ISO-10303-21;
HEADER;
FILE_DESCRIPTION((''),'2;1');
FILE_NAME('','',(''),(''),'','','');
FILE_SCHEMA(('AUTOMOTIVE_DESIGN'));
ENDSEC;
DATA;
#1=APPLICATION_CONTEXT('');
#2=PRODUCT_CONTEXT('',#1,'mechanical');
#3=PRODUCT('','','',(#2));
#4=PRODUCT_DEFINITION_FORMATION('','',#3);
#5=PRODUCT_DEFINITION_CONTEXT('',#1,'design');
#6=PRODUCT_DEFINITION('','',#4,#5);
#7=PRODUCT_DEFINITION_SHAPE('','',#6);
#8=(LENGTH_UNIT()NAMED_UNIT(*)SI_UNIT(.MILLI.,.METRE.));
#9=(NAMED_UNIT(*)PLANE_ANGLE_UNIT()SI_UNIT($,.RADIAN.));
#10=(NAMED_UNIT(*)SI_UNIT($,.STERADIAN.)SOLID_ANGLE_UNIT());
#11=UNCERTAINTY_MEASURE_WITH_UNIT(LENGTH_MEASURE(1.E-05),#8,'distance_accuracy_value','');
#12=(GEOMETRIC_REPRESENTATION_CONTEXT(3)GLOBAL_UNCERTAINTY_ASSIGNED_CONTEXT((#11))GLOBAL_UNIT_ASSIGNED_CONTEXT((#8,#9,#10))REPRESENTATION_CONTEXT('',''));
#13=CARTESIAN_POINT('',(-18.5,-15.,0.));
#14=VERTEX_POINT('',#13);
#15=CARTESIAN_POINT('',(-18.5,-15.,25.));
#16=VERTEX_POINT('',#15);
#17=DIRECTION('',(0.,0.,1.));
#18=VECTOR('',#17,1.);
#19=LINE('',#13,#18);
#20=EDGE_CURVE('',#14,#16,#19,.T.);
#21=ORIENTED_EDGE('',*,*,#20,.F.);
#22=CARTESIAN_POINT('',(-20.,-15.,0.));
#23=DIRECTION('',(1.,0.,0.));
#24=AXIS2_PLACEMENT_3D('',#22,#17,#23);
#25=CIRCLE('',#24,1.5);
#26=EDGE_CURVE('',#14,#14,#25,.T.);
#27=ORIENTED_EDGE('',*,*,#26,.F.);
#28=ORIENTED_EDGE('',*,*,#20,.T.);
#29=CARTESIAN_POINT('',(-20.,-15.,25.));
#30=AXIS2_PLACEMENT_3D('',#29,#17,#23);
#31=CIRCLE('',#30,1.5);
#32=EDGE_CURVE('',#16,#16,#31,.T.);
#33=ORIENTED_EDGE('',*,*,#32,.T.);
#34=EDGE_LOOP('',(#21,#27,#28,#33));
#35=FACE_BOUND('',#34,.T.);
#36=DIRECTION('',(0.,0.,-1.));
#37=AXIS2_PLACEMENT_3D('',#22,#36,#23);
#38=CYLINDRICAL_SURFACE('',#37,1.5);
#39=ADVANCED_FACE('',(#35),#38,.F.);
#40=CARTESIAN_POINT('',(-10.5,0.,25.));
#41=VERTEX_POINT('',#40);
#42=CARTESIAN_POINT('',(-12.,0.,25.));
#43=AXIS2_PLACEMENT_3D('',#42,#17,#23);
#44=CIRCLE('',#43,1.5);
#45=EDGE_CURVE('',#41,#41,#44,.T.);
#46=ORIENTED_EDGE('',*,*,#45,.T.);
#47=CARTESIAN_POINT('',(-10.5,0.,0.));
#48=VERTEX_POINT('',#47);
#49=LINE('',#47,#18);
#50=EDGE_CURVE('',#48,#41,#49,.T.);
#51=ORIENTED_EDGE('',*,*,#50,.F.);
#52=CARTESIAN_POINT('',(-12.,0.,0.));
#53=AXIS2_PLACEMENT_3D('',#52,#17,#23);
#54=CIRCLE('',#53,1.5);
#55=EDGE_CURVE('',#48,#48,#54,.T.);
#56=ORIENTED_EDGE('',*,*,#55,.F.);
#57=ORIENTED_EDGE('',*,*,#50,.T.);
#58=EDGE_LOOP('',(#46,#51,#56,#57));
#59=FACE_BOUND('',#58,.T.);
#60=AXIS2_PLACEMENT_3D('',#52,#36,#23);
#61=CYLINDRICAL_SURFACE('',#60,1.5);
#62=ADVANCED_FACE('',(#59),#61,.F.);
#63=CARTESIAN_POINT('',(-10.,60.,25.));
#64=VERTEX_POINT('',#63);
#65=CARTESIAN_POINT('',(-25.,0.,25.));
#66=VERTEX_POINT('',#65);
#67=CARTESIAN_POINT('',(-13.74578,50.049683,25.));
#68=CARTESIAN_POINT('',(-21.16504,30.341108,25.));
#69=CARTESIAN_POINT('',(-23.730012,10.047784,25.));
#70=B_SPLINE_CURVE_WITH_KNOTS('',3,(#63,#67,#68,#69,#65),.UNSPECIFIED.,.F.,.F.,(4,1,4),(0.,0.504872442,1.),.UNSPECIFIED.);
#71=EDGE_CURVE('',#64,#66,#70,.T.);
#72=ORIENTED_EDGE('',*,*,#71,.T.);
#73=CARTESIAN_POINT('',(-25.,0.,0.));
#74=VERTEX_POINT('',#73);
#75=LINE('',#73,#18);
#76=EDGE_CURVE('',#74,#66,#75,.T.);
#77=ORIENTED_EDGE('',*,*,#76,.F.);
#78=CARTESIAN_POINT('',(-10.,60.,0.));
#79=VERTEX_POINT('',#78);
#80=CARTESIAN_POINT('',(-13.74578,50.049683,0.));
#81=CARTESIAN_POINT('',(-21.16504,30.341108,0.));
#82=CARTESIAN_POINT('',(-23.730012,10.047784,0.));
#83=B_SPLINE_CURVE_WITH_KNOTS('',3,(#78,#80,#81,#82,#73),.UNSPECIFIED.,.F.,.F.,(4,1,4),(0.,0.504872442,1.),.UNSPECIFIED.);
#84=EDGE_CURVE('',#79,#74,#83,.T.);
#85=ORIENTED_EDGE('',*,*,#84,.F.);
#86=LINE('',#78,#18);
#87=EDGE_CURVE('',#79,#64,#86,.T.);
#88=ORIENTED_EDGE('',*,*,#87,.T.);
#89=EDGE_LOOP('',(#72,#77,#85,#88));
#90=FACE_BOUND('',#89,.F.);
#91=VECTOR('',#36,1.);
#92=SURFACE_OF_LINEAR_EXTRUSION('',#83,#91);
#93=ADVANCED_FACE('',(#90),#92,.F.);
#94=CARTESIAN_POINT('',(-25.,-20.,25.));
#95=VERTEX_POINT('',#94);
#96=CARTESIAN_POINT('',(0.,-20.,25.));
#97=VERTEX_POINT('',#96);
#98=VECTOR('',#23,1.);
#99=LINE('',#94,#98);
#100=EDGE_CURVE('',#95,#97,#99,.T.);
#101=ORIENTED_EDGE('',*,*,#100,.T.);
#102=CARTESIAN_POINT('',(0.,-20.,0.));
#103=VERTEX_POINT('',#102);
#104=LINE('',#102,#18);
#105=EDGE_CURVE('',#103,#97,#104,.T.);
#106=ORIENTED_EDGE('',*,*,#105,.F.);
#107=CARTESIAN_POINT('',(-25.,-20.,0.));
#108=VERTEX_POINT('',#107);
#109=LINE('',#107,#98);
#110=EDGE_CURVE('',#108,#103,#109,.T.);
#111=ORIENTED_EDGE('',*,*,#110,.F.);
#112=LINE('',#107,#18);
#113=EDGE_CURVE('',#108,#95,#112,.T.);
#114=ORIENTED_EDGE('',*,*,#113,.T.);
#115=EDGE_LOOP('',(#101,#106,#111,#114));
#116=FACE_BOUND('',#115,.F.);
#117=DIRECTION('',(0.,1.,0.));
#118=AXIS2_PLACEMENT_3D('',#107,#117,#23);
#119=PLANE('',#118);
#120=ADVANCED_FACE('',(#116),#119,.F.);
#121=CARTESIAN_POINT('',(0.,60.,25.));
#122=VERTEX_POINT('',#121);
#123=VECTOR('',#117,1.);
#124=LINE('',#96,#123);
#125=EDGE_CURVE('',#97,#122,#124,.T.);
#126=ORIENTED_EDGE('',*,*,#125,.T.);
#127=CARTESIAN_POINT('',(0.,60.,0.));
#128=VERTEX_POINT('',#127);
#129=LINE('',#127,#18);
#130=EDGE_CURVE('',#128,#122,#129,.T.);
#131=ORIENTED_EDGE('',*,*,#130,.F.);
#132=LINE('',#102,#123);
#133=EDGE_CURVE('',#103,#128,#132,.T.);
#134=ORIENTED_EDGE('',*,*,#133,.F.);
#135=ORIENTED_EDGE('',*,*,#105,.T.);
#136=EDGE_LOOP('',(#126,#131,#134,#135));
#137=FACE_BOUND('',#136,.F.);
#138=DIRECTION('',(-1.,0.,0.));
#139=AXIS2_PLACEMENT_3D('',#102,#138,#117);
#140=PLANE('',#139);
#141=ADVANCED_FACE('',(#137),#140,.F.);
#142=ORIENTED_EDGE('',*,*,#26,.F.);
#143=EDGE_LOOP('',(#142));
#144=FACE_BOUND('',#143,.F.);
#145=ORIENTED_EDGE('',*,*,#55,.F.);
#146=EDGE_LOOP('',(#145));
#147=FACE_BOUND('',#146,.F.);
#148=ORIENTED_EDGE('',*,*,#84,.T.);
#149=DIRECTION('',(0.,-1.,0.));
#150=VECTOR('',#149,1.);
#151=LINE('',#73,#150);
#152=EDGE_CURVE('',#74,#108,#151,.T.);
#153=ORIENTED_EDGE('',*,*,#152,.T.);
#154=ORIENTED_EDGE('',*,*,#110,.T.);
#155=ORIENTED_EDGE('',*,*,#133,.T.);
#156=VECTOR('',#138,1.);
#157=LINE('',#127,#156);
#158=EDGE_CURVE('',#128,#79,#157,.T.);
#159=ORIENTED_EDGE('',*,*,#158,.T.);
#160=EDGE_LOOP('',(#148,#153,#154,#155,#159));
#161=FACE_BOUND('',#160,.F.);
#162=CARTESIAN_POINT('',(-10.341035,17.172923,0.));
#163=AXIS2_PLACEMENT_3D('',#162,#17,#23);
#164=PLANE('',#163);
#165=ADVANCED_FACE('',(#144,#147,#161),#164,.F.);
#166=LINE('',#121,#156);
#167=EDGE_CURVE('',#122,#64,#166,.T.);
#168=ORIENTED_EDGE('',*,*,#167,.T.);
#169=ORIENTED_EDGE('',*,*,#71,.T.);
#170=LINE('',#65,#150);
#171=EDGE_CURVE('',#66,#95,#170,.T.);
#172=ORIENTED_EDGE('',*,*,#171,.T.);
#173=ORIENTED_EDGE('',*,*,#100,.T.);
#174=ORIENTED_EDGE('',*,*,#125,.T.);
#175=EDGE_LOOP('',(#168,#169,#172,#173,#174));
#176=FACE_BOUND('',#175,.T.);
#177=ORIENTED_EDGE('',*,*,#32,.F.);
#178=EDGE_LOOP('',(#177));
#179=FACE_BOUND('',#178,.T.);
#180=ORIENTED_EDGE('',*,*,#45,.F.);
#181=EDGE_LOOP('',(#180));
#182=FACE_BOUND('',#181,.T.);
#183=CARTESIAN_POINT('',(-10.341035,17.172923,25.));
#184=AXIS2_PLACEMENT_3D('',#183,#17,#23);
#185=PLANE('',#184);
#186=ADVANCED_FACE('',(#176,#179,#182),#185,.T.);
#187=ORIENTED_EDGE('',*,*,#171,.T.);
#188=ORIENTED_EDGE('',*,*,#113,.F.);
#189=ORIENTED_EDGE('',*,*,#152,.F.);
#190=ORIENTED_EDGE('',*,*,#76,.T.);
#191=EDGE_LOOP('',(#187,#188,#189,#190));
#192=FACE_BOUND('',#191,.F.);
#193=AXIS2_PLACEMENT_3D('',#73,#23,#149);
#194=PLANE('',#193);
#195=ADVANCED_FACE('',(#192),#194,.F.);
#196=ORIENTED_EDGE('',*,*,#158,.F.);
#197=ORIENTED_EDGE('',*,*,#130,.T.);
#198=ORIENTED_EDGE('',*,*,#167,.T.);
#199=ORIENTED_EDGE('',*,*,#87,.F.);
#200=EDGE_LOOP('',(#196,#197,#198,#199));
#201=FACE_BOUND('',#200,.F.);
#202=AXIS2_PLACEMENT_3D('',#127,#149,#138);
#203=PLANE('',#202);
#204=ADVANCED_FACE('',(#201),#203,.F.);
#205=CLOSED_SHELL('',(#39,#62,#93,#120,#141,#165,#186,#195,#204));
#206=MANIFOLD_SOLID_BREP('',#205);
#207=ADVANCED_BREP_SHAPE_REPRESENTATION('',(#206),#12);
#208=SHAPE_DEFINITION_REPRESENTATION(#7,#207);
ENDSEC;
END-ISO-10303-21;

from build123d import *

# Parameters (mm, degrees)
F0_R     = 1.5
F1_DEPTH = 25


with BuildPart() as f1:
    # F0 (on Top) → F1 (new body)
    with BuildSketch(Plane.XY):
        with BuildLine():
            Line((0, -20), (0, 0))
            Line((0, 0), (0, 60))
            Line((0, 60), (-10, 60))
            add(Edge.make_bspline(
                [(-10, 60), (-13.7457798028, 50.0496833938), (-21.165039581, 30.3411079665), (-23.7300116456, 10.047783958), (-25, 0)],
                knots=[0, 0, 0, 0, 0.5048724421, 1, 1, 1, 1], degree=3))
            Line((-25, 0), (-25, -20))
            Line((-25, -20), (0, -20))
        make_face()
        with Locations((-20, -15)):
            Circle(F0_R, mode=Mode.SUBTRACT)
        with Locations((-12, 0)):
            Circle(F0_R, mode=Mode.SUBTRACT)
    extrude(amount=F1_DEPTH)


solid = f1.part
